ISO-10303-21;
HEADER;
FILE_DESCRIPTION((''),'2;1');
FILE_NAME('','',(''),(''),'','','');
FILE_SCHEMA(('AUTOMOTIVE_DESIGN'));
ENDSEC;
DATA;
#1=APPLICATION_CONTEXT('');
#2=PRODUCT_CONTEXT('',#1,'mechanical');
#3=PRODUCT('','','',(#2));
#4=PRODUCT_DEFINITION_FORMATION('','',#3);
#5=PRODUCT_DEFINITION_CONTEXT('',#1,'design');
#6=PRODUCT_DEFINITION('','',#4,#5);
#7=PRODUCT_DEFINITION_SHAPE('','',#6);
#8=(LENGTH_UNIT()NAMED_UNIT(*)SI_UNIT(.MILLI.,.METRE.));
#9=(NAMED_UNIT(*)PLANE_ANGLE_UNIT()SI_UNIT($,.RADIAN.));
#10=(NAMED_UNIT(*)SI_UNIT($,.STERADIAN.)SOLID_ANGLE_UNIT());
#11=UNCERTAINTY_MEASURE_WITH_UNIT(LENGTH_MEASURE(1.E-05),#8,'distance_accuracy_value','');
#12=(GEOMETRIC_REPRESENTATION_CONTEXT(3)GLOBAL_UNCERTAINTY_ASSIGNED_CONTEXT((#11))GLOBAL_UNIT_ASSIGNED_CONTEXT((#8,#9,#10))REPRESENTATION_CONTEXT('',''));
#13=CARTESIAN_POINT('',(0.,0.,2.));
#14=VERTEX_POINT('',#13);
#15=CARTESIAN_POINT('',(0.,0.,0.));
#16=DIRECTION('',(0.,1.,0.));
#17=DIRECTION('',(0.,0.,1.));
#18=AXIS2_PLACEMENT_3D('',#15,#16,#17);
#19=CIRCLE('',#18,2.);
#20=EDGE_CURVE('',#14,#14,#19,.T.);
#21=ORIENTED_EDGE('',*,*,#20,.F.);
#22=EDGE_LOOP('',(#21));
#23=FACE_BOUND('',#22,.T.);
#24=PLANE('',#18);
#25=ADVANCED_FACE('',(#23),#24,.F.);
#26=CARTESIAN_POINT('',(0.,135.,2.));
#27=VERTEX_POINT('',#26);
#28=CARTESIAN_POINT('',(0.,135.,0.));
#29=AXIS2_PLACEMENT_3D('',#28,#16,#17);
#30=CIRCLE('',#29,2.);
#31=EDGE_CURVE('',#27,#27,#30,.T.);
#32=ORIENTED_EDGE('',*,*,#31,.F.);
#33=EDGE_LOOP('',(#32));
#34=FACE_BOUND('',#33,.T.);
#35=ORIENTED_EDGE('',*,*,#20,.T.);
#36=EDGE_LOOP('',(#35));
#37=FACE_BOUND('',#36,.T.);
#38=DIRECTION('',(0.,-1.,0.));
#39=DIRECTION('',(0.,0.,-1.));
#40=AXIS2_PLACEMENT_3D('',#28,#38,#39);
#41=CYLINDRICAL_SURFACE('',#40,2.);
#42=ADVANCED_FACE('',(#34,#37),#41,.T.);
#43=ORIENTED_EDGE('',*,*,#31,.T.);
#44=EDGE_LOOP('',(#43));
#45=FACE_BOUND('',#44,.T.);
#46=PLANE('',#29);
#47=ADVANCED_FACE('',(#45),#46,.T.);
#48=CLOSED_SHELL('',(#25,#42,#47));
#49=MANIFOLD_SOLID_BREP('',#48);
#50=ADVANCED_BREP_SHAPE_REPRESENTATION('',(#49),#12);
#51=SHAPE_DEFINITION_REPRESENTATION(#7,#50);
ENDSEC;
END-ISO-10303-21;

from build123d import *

# Parameters (mm, degrees)
IZIM1_R                     = 2
Y_KSEKLIK_EKSTR_ZYON1_DEPTH = 135


with BuildPart() as part:
    # Çizim1 → Yükseklik-Ekstrüzyon1 (new body)
    with BuildSketch(Plane(origin=(0, 0, 0), x_dir=(1, 0, 0), z_dir=(0, 1, 0))):
        with Locations(Location((0, 0, 0), (0, 0, 270))):
            Circle(IZIM1_R)
    extrude(amount=Y_KSEKLIK_EKSTR_ZYON1_DEPTH)


solid = part.part
